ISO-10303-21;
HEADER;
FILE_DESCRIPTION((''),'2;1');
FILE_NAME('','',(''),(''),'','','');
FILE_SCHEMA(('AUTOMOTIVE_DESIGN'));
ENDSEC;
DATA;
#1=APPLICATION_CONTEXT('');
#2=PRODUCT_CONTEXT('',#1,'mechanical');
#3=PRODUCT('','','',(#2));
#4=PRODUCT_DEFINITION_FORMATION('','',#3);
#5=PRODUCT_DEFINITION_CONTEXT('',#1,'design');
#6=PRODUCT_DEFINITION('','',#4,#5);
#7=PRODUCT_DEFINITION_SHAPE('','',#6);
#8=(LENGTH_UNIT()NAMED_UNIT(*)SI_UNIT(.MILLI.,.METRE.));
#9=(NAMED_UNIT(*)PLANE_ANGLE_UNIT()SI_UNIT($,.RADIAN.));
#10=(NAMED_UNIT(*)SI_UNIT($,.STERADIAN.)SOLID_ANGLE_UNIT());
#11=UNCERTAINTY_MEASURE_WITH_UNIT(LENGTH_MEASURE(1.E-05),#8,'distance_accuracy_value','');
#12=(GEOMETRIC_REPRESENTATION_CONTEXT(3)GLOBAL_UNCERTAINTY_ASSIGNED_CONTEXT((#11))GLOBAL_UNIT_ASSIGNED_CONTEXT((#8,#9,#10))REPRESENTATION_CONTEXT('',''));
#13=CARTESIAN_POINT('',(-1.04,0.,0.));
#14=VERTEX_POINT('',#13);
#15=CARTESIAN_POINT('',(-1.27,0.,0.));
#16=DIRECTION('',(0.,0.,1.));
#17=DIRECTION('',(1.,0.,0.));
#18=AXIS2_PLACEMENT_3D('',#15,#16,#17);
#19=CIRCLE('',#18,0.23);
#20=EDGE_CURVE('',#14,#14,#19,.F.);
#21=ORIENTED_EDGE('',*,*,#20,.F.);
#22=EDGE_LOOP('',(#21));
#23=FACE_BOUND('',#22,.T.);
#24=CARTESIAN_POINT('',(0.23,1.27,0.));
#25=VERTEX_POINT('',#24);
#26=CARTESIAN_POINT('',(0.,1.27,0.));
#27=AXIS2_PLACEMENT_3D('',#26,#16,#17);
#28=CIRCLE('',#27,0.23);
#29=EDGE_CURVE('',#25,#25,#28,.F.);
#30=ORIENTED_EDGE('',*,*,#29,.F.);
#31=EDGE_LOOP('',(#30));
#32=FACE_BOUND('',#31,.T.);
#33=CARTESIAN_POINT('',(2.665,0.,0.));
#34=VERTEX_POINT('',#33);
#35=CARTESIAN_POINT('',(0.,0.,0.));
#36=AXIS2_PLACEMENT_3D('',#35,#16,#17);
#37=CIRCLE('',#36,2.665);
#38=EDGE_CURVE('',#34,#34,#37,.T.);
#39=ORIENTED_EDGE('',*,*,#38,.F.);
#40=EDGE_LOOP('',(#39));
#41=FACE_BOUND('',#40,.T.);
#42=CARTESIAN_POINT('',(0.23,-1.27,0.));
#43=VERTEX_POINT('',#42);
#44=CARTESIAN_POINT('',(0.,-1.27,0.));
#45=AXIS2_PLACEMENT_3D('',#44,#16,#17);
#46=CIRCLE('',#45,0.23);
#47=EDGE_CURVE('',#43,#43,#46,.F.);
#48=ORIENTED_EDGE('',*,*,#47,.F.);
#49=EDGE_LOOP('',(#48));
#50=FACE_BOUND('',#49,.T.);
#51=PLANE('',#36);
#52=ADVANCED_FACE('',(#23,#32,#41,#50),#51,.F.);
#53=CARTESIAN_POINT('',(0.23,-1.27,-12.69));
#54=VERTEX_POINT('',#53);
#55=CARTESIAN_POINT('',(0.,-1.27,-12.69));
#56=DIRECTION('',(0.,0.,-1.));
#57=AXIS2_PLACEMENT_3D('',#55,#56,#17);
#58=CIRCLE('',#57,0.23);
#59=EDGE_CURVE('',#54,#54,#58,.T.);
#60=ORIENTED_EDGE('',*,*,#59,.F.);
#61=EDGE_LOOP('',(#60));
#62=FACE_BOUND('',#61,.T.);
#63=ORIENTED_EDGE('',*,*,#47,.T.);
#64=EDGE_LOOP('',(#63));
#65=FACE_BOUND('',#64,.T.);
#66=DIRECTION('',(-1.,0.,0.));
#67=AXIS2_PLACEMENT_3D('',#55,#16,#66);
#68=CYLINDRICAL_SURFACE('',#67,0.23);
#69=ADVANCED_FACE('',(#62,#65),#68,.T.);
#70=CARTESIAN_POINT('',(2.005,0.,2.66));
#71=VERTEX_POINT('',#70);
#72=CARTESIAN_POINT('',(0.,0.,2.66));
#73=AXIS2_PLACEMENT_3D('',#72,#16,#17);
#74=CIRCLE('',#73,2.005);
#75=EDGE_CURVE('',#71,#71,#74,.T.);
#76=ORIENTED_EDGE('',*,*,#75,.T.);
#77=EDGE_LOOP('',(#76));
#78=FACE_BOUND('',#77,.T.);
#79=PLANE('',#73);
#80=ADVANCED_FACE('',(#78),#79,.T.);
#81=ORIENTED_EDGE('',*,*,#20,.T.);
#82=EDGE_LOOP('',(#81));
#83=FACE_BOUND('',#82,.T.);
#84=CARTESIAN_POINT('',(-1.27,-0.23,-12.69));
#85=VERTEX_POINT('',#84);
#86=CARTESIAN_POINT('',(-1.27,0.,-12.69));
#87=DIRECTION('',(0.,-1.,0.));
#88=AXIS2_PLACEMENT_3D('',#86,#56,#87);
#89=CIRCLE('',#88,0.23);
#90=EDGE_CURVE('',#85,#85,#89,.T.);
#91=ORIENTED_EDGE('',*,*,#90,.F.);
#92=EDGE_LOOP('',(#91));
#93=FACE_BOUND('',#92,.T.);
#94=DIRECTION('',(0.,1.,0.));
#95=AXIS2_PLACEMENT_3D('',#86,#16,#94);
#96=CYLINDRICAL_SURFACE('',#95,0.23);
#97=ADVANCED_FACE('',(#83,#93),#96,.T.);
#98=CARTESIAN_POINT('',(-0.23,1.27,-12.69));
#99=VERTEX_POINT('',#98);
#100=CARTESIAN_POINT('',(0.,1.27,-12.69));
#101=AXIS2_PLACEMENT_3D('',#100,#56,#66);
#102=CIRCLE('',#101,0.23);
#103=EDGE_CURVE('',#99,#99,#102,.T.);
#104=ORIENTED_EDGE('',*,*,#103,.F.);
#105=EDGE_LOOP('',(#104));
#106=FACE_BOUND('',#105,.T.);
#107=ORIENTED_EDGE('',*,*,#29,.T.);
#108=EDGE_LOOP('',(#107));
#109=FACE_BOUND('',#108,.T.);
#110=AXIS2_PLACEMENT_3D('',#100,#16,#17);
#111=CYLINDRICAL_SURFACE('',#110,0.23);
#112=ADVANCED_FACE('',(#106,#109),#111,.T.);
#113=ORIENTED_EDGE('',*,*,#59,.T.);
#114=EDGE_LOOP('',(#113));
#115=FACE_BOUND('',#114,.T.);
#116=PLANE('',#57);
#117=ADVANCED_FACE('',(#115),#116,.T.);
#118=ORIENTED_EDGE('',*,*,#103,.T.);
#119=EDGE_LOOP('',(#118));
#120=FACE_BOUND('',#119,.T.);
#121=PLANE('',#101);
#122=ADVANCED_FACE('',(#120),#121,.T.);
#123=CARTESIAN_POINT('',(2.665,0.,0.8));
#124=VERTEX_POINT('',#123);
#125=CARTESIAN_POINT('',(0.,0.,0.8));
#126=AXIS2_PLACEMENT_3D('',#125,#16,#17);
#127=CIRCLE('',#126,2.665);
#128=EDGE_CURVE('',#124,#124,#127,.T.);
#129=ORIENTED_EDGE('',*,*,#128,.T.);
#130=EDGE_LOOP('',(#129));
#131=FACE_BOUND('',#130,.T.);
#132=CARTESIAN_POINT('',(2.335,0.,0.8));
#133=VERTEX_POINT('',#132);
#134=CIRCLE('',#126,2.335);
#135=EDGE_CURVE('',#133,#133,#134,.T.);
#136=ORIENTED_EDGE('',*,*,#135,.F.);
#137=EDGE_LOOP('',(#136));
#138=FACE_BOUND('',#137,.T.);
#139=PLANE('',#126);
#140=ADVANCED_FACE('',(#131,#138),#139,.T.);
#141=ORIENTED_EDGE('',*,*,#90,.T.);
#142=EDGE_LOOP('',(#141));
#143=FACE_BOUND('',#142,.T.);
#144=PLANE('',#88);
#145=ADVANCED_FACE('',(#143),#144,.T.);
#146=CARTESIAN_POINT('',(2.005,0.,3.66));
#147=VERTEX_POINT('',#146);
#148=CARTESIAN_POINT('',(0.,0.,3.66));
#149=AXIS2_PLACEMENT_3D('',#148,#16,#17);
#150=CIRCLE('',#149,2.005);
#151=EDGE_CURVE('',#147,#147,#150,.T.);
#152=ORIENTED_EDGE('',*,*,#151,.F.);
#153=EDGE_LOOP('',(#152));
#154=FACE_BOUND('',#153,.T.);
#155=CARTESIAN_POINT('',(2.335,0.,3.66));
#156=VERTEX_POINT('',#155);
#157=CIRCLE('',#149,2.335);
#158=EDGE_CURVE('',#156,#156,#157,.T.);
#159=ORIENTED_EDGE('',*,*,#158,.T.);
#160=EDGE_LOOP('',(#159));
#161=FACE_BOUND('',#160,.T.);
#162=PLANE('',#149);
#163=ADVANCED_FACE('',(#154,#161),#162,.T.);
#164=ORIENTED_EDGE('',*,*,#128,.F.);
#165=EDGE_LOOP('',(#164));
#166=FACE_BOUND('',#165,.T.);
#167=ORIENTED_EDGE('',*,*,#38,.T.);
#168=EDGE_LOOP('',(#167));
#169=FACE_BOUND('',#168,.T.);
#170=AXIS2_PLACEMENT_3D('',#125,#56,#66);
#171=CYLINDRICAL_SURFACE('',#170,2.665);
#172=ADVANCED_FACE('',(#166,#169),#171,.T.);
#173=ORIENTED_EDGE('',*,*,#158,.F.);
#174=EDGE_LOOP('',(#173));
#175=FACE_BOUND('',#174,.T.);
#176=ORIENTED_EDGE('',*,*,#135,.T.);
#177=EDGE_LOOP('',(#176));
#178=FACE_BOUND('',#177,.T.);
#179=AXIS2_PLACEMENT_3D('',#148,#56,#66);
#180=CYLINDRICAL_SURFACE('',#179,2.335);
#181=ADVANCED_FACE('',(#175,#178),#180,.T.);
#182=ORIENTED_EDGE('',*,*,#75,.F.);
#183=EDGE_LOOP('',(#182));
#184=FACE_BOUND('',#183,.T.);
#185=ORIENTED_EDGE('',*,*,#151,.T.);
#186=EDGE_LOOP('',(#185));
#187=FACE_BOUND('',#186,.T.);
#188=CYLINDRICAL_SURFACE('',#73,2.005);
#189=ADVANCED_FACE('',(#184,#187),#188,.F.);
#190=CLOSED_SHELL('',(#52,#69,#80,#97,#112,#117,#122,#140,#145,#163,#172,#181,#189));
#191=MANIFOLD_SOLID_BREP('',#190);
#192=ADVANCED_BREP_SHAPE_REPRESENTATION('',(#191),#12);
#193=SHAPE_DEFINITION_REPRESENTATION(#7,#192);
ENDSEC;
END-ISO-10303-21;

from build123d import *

# Parameters (mm, degrees)
SKETCH1_R           = 2.665
BOSS_EXTRUDE1_DEPTH = 0.8
SKETCH2_R           = 2.335
BOSS_EXTRUDE2_DEPTH = 2.86
SKETCH3_R           = 0.23
BOSS_EXTRUDE3_DEPTH = 12.69
CIRPATTERN1_COUNT   = 3
CIRPATTERN1_ANGLE   = 180
SKETCH4_R           = 2.005
CUT_EXTRUDE1_DEPTH  = 1


with BuildPart() as part:
    # Sketch1 → Boss-Extrude1 (new body)
    with BuildSketch(Plane.XY):
        Circle(SKETCH1_R)
    extrude(amount=BOSS_EXTRUDE1_DEPTH)

    # Sketch2 → Boss-Extrude2 (add)
    with BuildSketch(Plane.XY.offset(0.8)):
        Circle(SKETCH2_R)
    extrude(amount=BOSS_EXTRUDE2_DEPTH)

    # Sketch3 → Boss-Extrude3 (add)
    with BuildSketch(Plane(origin=(0, 0, 0), x_dir=(-1, 0, 0), z_dir=(0, 0, -1))):
        with Locations(Location((0, 1.27, 0), (0, 0, 180))):
            Circle(SKETCH3_R)
    boss_extrude3 = extrude(amount=BOSS_EXTRUDE3_DEPTH)

    # CirPattern1: Boss-Extrude3 ×3 about axis
    cirpattern1_axis = Axis((0, 0, 0), (0, 0, 1))
    for i in range(1, CIRPATTERN1_COUNT):
        add(boss_extrude3.rotate(cirpattern1_axis, i * CIRPATTERN1_ANGLE / (CIRPATTERN1_COUNT - 1)))

    # Sketch4 → Cut-Extrude1 (cut)
    with BuildSketch(Plane.XY.offset(3.66)):
        Circle(SKETCH4_R)
    extrude(amount=-CUT_EXTRUDE1_DEPTH, mode=Mode.SUBTRACT)


solid = part.part
